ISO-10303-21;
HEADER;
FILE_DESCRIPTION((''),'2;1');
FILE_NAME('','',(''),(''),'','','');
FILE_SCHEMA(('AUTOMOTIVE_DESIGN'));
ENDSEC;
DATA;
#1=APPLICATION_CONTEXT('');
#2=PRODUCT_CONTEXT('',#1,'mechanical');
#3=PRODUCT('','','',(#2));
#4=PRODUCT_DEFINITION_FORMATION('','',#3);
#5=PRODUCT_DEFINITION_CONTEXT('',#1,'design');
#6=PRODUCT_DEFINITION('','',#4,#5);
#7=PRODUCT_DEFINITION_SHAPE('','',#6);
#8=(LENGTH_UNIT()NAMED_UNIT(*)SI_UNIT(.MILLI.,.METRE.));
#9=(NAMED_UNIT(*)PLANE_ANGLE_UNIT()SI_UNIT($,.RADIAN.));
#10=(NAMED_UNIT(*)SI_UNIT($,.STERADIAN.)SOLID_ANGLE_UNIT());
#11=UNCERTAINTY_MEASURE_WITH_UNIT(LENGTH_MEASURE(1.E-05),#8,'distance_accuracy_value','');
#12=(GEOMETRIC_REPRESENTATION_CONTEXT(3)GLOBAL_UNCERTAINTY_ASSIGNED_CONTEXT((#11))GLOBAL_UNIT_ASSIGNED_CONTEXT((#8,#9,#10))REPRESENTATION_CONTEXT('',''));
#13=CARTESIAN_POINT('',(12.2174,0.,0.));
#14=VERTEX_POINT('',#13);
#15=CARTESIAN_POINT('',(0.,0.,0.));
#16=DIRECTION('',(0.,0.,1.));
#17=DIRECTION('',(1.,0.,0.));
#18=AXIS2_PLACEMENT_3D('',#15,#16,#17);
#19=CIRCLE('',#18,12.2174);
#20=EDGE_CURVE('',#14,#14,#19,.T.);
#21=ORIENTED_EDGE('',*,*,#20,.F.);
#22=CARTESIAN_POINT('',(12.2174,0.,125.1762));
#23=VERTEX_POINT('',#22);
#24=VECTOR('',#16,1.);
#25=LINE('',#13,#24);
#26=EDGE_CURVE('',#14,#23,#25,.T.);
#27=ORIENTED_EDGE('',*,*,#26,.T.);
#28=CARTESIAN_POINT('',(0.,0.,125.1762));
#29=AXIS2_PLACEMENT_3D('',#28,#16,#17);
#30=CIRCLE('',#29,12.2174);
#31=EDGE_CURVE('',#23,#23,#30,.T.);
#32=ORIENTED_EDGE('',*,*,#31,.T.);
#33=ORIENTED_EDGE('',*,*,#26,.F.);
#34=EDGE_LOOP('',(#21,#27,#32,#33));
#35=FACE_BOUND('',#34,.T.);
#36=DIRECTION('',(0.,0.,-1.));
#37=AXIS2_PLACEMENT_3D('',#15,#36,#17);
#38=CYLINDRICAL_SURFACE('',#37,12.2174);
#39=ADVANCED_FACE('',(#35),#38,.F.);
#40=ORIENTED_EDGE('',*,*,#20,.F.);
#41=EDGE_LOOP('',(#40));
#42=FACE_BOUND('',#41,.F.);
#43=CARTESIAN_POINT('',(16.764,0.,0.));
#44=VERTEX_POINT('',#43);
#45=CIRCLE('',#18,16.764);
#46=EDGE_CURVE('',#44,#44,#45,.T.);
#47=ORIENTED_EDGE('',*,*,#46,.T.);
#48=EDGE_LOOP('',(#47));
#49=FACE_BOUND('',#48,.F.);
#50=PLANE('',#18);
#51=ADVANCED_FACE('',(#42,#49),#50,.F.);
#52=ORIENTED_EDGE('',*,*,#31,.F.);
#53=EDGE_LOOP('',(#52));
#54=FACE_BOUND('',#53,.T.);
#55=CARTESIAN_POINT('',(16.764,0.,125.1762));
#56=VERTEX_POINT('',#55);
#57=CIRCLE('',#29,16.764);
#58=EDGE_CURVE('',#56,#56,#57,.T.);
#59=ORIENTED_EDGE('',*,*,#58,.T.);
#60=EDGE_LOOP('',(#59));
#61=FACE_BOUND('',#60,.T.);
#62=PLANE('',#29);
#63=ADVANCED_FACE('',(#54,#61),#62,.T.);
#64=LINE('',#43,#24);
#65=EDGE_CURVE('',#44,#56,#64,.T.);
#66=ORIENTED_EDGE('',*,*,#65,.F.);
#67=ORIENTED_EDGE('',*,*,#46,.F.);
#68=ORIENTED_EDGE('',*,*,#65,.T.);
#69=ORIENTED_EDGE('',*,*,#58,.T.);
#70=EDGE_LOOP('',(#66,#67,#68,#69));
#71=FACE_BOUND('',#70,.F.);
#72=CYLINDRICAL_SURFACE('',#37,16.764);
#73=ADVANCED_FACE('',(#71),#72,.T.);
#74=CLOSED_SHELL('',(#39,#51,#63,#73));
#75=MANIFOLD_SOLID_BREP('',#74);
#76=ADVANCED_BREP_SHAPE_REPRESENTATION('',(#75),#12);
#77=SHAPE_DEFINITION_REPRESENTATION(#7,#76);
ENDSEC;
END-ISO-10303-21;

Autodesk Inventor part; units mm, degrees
ref_plane "YZ Plane" through (0, 0, 0) normal (1, 0, 0) x (0, 1, 0)
ref_plane "Start Plane" through (0, 0, 0) normal (0, 0, 1) x (1, 0, 0)
ref_plane "End Plane" through (0, 0, 125.1762) normal (0, 0, 1) x (1, 0, 0)
sketch "Sketch" plane through (0, 0, 0) normal (0, 0, 1) x (1, 0, 0)
  circle A0 centre (0, 0) radius 12.2174
  circle A1 centre (0, 0) radius 16.764
  dimension "d0" = 33.528
  dimension "d1" = 4.5466
extrude "Body" add sketch "Sketch" along normal up to surface (125.1762 mm away) from surface at 0
sketch "Sketch3" plane through (0, 0, 0) normal (0, 0, 1) x (1, 0, 0)
  line L0 (0, 0) -> (10, 0)
ref_plane "Work Plane3" through (0, 0, 0) normal (0, -1, 0) x (1, 0, 0)
sketch "Sketch4" plane through (0, 0, 0) normal (0, -1, 0) x (1, 0, 0)
  line L0 (-2, 0) -> (12, 0) projected
  line L1 (-2, 125.1762) -> (12, 125.1762) projected
  dimension "d7" = 125.1762
equation "\"d0\" = G_H"
equation "\"d1\" = G_T"
equation "\"d2\" = G_L"
equation "\"G_H\" = 33.528"
equation "\"G_T\" = 4.5466"
equation "\"G_L\" = d7"
equation "\"G_OFFSET_START\" = 0"
equation "\"G_OFFSET_END\" = 0"
equation "\"d5\" = G_OFFSET_END + B_L"
equation "\"B_L\" = 125.17621"
properties part number "ANSI - 1 x 0.179 - 4.928" material "Steel, Mild"
